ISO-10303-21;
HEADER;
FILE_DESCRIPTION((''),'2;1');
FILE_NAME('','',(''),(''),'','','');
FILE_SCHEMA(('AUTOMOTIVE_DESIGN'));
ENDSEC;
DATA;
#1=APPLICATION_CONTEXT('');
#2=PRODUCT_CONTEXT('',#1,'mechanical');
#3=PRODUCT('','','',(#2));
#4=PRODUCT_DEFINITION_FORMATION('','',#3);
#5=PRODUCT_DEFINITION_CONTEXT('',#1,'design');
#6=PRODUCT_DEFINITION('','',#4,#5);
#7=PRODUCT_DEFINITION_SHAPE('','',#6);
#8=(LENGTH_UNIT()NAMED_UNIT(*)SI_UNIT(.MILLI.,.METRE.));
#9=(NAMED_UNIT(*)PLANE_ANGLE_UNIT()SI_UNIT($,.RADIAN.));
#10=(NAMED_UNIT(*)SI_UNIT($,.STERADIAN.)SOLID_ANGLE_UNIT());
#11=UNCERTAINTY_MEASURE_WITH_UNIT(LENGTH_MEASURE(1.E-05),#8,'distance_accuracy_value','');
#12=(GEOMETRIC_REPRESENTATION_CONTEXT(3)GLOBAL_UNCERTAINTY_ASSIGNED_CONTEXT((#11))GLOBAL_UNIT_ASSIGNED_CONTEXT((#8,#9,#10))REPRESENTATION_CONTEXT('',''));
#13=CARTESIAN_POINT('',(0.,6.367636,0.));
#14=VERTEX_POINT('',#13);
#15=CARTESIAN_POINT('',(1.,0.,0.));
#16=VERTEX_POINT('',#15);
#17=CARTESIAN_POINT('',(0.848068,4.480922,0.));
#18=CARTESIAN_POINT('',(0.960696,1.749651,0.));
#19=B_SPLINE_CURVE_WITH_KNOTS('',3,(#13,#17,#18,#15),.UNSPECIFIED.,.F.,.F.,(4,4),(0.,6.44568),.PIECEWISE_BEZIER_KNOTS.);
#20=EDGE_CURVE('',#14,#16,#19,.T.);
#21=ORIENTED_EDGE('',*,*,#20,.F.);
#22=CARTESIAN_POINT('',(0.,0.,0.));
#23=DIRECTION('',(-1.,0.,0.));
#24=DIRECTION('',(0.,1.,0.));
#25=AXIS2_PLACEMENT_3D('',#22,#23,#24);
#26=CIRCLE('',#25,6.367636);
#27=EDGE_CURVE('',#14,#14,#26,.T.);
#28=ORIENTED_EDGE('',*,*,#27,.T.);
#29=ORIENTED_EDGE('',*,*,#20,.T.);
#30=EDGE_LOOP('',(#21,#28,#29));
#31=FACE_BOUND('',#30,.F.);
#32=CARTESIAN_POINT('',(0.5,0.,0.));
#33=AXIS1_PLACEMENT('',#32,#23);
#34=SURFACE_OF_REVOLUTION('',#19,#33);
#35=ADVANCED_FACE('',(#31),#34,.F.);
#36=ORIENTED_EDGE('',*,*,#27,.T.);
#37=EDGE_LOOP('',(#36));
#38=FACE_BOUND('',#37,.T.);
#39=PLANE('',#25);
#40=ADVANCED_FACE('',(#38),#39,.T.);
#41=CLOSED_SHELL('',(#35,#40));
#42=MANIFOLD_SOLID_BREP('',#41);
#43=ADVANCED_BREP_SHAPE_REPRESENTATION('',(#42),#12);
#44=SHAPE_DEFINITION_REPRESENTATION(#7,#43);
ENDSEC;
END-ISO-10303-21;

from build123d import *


with BuildPart() as f1:
    # F0 (on Top) → F1 (revolve)
    with BuildSketch(Plane.XY):
        with BuildLine():
            add(Edge.make_bspline(
                [(0, 6.367636), (0.848068, 4.480922), (0.960696, 1.749651), (1, 0)],
                knots=[0, 0, 0, 0, 6.44568, 6.44568, 6.44568, 6.44568], degree=3))
            Line((0, 6.367636), (0, 0))
            Line((0, 0), (1, 0))
        make_face()
    revolve(axis=Axis((0.5, 0, 0), (-1, 0, 0)))


solid = f1.part
